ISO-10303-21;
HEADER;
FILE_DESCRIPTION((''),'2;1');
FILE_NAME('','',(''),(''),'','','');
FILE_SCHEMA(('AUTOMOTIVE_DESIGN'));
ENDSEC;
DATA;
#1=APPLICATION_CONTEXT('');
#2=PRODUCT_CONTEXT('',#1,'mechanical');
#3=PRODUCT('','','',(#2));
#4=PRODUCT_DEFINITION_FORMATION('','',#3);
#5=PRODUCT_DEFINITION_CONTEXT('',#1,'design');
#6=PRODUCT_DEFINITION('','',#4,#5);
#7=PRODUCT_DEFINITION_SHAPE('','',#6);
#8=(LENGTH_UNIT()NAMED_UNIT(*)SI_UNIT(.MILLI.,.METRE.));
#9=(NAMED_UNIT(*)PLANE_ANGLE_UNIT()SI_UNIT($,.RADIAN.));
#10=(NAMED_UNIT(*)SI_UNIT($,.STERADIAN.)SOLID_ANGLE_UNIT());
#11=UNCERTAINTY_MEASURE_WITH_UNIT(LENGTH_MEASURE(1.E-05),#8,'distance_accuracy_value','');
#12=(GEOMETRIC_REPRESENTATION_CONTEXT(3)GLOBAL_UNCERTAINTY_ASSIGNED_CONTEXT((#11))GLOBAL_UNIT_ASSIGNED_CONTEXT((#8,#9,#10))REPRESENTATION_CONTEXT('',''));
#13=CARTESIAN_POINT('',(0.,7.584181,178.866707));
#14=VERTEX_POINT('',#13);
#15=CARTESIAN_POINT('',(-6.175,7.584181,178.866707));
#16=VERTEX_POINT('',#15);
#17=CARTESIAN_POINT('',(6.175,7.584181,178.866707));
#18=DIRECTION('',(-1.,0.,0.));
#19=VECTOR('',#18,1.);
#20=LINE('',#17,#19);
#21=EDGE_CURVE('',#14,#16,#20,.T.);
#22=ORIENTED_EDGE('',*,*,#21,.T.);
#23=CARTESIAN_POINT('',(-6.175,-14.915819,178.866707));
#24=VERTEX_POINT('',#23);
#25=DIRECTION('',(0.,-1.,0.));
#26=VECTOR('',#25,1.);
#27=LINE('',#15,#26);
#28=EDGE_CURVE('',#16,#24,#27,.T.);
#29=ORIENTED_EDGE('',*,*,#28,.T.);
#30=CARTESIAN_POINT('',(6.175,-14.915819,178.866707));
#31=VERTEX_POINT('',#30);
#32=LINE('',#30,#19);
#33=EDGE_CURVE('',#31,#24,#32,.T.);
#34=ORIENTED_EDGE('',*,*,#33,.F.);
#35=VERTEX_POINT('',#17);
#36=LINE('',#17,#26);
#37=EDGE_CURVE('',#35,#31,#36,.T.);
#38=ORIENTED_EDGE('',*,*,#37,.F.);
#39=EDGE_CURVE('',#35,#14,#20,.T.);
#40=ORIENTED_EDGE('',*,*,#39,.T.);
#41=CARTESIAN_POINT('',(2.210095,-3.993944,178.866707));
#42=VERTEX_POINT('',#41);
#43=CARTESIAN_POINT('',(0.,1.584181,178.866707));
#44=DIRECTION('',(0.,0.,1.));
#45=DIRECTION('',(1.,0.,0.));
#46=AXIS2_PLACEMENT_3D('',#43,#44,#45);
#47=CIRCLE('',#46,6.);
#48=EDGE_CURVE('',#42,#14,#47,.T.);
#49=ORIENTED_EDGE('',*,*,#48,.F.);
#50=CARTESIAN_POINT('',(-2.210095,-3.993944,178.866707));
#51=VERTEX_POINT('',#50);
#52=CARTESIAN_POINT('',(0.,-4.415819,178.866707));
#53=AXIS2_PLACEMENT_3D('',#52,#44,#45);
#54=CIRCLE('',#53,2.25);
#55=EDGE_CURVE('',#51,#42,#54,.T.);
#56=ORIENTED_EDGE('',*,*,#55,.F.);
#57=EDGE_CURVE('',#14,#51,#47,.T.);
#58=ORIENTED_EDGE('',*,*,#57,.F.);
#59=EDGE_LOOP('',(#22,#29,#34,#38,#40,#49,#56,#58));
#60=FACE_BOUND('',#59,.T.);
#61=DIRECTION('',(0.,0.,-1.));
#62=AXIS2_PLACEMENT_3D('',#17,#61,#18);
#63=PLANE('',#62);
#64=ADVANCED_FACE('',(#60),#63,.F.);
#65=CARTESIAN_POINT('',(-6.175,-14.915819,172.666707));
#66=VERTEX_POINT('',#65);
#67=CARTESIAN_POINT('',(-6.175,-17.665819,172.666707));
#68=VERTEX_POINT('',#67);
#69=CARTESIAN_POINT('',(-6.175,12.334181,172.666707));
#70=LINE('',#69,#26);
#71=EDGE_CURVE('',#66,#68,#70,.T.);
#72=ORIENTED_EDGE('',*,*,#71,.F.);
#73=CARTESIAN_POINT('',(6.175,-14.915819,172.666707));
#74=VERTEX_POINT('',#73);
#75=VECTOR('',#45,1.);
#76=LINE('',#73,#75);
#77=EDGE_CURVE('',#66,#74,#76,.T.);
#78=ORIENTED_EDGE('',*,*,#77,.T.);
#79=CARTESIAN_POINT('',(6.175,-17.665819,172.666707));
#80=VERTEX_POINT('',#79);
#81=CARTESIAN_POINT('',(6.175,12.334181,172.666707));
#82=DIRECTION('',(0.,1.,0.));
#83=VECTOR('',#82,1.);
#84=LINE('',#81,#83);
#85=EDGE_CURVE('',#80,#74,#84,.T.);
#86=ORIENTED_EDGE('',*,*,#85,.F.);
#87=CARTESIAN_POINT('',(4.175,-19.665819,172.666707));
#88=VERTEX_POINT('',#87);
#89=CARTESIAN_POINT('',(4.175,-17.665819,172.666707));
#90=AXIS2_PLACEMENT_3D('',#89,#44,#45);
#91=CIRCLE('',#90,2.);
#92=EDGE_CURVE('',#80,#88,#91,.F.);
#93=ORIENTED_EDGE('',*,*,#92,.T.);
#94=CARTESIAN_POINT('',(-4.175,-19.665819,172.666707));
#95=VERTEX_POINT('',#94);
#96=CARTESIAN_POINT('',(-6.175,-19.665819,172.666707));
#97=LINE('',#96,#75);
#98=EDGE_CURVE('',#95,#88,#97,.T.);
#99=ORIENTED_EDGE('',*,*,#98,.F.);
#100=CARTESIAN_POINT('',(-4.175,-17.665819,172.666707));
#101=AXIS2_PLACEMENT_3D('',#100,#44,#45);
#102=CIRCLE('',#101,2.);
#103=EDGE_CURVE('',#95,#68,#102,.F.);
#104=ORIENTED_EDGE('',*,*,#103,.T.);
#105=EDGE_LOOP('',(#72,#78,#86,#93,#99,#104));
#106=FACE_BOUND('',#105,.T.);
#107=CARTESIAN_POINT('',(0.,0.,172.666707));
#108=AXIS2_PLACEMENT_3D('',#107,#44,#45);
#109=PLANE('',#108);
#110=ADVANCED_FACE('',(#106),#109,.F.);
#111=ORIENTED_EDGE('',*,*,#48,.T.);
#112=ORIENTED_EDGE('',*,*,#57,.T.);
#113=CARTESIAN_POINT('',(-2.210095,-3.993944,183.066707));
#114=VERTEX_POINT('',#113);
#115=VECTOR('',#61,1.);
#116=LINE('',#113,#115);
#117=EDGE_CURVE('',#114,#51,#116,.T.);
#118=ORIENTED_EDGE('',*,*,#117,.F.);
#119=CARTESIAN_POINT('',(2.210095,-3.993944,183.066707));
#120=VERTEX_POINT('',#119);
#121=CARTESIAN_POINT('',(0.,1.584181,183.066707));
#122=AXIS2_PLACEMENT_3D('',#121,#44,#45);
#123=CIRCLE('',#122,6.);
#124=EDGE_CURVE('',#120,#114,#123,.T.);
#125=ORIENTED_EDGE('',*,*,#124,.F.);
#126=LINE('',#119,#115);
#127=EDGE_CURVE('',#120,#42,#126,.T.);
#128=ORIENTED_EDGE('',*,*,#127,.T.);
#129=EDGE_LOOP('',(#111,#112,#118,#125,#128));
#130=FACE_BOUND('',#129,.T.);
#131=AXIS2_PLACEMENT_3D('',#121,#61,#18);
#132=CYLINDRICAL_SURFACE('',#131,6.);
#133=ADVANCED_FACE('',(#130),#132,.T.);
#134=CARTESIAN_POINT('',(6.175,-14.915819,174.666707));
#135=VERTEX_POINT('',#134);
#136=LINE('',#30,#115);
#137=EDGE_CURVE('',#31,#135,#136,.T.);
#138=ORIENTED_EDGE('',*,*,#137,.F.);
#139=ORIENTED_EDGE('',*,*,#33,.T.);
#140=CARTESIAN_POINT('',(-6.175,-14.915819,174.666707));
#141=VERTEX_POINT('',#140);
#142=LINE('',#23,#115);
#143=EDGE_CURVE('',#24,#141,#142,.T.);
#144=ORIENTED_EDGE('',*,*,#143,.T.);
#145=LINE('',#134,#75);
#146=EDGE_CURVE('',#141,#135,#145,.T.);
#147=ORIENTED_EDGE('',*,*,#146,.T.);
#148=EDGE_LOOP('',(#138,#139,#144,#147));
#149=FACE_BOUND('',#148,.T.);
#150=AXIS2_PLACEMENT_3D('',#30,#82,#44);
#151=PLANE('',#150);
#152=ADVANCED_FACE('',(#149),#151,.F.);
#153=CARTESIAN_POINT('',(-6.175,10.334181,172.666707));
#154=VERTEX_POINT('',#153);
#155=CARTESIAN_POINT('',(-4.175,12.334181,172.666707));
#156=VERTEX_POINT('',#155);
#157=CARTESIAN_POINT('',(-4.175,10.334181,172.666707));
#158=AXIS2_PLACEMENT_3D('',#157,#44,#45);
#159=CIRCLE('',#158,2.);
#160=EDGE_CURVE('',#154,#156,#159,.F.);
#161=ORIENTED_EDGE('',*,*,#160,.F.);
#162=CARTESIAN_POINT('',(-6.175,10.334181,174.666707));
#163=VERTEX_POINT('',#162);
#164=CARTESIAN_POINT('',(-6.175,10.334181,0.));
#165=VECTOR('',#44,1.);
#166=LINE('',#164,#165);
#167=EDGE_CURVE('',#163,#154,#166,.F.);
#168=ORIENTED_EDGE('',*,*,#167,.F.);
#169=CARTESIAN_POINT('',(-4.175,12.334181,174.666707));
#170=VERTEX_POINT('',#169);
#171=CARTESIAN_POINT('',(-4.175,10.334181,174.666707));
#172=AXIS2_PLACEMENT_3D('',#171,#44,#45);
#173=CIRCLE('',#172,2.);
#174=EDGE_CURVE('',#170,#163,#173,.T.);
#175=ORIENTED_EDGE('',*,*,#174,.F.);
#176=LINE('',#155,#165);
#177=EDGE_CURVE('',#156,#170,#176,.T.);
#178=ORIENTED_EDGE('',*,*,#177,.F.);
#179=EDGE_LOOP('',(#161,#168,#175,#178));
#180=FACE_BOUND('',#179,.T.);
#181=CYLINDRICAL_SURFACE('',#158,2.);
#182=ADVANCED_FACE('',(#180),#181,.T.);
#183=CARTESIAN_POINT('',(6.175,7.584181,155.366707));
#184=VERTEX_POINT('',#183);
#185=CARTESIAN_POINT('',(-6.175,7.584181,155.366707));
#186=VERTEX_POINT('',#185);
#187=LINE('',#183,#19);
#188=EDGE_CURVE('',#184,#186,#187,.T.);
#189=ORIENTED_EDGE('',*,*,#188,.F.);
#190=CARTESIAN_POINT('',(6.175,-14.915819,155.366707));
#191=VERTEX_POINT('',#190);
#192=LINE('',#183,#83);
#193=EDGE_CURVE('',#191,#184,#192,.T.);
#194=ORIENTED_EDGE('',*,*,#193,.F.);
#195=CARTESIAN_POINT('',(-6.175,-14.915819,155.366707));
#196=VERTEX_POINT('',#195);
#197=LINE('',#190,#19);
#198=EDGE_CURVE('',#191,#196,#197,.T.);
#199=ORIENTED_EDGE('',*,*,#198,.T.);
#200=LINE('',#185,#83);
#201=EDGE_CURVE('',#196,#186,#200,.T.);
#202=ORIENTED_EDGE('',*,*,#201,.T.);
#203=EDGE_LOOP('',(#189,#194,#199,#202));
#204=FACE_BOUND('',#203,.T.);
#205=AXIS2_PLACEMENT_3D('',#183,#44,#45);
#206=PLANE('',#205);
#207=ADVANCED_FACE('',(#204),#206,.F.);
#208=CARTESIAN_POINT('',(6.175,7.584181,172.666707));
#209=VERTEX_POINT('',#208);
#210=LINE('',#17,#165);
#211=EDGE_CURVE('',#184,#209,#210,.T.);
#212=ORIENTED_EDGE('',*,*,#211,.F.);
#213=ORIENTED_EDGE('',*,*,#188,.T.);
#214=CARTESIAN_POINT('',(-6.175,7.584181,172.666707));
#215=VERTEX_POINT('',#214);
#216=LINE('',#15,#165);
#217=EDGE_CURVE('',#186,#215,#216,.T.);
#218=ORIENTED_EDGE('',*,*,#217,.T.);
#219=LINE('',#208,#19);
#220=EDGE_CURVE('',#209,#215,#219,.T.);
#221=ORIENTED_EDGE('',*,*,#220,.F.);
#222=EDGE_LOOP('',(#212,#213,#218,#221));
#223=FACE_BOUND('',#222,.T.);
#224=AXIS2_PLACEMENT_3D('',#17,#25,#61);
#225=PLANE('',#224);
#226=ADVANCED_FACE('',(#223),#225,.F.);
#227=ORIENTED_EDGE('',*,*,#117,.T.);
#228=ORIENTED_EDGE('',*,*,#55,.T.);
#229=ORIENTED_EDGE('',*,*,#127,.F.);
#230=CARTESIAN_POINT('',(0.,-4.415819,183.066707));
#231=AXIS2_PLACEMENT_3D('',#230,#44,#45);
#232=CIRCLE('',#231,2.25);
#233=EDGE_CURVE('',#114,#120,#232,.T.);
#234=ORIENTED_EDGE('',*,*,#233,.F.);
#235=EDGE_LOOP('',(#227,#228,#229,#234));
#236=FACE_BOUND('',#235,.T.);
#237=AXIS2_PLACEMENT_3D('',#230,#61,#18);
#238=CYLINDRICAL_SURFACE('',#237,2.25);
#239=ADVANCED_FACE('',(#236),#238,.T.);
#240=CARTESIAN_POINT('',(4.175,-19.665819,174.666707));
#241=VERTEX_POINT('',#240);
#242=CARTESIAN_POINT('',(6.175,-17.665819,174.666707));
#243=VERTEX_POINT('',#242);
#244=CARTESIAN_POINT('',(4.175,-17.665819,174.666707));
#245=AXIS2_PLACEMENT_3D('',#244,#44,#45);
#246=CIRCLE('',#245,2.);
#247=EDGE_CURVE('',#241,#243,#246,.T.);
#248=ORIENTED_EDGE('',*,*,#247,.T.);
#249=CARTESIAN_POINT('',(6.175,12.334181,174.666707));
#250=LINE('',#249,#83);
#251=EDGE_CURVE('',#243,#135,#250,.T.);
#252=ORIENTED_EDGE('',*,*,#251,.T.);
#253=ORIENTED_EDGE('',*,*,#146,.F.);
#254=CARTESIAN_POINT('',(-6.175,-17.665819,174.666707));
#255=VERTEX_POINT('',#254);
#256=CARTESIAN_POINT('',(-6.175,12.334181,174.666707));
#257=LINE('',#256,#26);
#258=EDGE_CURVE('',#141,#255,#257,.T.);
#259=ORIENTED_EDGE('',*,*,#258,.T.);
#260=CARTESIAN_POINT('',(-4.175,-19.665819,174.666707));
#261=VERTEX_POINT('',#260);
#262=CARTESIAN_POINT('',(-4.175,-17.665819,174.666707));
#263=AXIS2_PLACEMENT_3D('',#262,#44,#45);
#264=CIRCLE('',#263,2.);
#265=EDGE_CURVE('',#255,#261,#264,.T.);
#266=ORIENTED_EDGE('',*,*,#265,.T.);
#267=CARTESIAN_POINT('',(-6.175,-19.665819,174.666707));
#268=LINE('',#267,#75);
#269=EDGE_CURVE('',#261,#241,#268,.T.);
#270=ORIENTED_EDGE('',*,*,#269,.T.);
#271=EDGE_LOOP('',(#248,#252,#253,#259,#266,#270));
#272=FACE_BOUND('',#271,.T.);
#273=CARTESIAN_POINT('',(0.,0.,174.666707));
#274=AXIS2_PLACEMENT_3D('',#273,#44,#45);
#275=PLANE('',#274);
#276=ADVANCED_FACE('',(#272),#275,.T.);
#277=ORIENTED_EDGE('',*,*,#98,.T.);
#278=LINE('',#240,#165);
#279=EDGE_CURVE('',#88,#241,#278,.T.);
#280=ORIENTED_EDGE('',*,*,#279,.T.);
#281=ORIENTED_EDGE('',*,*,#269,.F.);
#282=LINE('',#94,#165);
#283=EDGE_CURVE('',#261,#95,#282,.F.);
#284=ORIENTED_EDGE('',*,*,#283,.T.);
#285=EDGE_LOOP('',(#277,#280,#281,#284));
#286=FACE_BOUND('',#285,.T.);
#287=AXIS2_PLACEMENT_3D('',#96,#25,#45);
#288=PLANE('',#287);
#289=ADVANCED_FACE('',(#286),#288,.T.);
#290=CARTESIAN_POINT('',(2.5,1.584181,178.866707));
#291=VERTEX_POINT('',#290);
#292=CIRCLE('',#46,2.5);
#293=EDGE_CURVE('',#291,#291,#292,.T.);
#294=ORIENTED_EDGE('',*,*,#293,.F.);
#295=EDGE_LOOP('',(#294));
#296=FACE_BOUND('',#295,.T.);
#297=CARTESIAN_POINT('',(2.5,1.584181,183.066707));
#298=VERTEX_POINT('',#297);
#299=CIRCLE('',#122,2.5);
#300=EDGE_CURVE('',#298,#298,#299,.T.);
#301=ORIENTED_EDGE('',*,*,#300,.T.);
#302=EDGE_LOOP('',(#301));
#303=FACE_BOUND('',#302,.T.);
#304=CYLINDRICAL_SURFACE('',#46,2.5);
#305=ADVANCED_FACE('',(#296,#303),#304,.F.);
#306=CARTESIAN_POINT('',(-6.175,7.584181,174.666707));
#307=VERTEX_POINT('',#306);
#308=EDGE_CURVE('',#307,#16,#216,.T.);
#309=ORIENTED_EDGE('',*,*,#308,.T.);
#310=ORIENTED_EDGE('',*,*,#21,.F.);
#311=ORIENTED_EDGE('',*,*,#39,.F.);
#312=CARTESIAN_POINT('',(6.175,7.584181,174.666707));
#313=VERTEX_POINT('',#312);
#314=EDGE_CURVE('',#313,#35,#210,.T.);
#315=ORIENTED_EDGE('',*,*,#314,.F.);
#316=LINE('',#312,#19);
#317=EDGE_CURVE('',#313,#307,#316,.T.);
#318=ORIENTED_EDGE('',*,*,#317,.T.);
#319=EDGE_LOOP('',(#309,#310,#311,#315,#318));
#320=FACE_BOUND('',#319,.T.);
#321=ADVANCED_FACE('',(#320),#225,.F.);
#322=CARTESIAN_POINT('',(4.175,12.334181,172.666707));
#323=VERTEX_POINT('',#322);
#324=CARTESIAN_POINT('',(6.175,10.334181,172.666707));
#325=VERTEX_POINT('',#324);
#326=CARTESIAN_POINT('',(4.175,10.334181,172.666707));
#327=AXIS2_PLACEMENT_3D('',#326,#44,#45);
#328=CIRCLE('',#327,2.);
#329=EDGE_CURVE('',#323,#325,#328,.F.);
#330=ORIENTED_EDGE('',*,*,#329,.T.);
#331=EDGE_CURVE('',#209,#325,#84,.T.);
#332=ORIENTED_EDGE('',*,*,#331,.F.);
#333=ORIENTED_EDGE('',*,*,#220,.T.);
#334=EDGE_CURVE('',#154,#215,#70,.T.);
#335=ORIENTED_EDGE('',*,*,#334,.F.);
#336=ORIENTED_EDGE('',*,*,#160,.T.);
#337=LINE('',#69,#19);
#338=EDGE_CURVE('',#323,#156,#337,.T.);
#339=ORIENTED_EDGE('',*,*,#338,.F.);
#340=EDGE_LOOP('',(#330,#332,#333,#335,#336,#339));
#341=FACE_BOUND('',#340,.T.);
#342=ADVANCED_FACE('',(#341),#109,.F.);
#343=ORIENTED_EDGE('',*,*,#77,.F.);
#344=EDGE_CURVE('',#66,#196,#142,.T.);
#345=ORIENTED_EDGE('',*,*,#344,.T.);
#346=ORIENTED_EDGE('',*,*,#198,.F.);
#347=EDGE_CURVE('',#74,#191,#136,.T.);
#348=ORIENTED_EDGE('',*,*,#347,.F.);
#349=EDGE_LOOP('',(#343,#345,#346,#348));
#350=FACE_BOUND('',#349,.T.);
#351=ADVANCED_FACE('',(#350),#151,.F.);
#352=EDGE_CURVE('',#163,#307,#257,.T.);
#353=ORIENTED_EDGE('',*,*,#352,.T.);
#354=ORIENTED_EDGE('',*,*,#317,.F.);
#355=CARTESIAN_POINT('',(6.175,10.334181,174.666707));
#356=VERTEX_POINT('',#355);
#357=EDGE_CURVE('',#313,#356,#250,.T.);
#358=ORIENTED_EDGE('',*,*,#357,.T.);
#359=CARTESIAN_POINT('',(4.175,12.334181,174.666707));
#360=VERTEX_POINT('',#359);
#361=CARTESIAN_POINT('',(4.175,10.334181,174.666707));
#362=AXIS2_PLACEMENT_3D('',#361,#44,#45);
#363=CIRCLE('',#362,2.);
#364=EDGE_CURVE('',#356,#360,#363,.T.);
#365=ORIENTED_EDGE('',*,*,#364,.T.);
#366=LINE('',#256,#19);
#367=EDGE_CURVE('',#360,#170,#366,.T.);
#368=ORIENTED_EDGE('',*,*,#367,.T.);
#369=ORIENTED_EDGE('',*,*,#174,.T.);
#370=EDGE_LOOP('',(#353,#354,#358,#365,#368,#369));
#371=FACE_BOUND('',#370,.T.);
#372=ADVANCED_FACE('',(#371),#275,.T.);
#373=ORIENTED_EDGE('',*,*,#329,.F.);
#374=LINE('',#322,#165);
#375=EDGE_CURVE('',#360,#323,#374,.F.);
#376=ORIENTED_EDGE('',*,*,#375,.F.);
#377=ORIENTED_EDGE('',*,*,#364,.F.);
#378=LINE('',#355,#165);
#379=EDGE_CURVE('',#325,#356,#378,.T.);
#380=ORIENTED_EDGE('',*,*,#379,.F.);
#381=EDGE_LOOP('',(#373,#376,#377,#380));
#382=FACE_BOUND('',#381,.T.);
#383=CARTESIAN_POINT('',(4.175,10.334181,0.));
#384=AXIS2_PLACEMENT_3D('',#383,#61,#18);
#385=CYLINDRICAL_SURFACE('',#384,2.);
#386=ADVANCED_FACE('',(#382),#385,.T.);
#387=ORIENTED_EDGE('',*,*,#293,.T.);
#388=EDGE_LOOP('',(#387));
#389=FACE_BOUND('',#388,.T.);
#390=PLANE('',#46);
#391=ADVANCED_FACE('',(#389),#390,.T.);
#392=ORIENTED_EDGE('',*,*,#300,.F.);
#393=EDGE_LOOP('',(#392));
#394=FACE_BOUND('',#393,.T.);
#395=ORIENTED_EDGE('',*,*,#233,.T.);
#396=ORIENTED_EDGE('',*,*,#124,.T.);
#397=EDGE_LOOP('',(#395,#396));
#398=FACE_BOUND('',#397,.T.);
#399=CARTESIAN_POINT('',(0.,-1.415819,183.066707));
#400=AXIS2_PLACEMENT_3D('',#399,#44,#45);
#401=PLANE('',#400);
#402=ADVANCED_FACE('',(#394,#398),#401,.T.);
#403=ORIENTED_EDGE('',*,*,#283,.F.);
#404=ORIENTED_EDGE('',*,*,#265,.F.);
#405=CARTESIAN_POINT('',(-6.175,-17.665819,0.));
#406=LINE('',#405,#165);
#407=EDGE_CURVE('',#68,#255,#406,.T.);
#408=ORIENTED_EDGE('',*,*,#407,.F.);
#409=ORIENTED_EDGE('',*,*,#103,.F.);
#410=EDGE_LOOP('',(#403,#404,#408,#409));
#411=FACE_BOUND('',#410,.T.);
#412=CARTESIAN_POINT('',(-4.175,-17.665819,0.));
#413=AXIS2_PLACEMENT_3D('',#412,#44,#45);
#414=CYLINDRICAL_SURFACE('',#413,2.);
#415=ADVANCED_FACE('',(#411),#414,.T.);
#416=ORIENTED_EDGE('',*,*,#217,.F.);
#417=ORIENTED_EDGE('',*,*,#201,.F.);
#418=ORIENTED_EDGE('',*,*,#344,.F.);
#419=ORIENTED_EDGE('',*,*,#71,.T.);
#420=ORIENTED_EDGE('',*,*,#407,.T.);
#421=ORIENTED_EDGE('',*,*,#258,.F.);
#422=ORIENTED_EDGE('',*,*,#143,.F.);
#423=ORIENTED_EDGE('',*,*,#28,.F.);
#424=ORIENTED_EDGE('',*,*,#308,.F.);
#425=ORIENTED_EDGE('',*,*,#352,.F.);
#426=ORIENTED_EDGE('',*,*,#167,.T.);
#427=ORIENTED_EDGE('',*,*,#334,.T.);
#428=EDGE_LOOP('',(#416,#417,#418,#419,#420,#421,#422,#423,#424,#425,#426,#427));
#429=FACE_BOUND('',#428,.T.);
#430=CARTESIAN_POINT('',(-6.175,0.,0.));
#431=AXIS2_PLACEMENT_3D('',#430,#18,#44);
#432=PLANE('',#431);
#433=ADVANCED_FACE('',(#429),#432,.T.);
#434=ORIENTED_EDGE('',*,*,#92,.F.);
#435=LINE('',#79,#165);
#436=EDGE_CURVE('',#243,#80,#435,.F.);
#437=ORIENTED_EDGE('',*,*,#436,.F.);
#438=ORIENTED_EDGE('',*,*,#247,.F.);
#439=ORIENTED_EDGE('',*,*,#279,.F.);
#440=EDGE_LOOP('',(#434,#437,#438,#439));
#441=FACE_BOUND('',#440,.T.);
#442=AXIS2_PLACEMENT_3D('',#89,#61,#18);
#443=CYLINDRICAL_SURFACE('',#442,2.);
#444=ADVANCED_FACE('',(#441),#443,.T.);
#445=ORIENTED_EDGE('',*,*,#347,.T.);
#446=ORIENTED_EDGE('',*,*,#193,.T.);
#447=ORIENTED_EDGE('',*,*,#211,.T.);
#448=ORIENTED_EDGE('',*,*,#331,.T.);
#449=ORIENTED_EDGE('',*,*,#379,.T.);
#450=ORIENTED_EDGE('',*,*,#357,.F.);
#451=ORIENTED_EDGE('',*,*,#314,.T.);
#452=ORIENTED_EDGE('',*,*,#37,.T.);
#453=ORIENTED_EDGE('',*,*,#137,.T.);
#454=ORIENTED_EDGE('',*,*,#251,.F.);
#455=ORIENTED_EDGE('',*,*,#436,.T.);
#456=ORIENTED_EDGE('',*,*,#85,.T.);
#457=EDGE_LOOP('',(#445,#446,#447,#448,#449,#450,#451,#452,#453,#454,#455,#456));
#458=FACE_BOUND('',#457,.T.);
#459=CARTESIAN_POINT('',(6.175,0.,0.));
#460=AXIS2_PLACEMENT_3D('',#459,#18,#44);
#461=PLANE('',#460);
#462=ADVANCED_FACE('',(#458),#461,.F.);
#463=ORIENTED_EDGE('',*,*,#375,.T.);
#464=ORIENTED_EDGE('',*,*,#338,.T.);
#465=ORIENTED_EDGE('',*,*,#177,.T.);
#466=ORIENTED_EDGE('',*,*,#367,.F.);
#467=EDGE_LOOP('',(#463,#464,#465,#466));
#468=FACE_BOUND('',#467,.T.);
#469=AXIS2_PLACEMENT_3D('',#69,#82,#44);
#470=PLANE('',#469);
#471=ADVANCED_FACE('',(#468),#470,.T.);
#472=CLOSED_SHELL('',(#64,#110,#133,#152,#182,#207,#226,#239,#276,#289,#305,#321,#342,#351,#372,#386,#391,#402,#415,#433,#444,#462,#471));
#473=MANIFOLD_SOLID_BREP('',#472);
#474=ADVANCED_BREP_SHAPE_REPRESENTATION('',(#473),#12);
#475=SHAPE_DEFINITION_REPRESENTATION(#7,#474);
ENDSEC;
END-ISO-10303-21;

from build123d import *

# Parameters (mm, degrees)
SKETCH3_W           = 22.5
SKETCH3_H           = 23.5
BOSS_EXTRUDE1_DEPTH = 6.175
SKETCH4_W           = 12.35
SKETCH4_H           = 32
BOSS_EXTRUDE2_DEPTH = 2
BOSS_EXTRUDE3_DEPTH = 4.2
SKETCH6_R           = 2.5
CUT_EXTRUDE1_DEPTH  = 4.2
FILLET1_R           = 2


with BuildPart() as part:
    # Sketch3 → Boss-Extrude1 (new body, symmetric)
    with BuildSketch(Plane(origin=(0, -28.275548605, 0), x_dir=(0, 1, 0), z_dir=(1, 0, 0))):
        with Locations((24.609729517, 167.116706922)):
            Rectangle(SKETCH3_W, SKETCH3_H)
    extrude(amount=BOSS_EXTRUDE1_DEPTH, both=True)

    # Sketch4 → Boss-Extrude2 (add)
    with BuildSketch(Plane.XY.offset(174.666706922)):
        with Locations((0, -3.665819089)):
            Rectangle(SKETCH4_W, SKETCH4_H)
    extrude(amount=-BOSS_EXTRUDE2_DEPTH)

    # Sketch5 → Boss-Extrude3 (add)
    with BuildSketch(Plane.XY.offset(178.866706922)):
        with BuildLine():
            ThreePointArc((2.210095356, -3.993944089), (0, 7.584180911), (-2.210095356, -3.993944089))
            ThreePointArc((-2.210095356, -3.993944089), (0, -6.665819089), (2.210095356, -3.993944089))
        make_face()
    extrude(amount=BOSS_EXTRUDE3_DEPTH)

    # Sketch6 → Cut-Extrude1 (cut)
    with BuildSketch(Plane.XY.offset(183.066706922)):
        with Locations((0, 1.584180911)):
            Circle(SKETCH6_R)
    extrude(amount=-CUT_EXTRUDE1_DEPTH, mode=Mode.SUBTRACT)

    # Fillet1
    fillet1_edges = [part.edges().sort_by_distance(p)[0] for p in [
        (-6.175, -19.665819089, 173.666706922),
        (6.175, 12.334180911, 173.666706922),
        (-6.175, 12.334180911, 173.666706922),
        (6.175, -19.665819089, 173.666706922),
    ]]
    fillet(fillet1_edges, radius=FILLET1_R)


solid = part.part
